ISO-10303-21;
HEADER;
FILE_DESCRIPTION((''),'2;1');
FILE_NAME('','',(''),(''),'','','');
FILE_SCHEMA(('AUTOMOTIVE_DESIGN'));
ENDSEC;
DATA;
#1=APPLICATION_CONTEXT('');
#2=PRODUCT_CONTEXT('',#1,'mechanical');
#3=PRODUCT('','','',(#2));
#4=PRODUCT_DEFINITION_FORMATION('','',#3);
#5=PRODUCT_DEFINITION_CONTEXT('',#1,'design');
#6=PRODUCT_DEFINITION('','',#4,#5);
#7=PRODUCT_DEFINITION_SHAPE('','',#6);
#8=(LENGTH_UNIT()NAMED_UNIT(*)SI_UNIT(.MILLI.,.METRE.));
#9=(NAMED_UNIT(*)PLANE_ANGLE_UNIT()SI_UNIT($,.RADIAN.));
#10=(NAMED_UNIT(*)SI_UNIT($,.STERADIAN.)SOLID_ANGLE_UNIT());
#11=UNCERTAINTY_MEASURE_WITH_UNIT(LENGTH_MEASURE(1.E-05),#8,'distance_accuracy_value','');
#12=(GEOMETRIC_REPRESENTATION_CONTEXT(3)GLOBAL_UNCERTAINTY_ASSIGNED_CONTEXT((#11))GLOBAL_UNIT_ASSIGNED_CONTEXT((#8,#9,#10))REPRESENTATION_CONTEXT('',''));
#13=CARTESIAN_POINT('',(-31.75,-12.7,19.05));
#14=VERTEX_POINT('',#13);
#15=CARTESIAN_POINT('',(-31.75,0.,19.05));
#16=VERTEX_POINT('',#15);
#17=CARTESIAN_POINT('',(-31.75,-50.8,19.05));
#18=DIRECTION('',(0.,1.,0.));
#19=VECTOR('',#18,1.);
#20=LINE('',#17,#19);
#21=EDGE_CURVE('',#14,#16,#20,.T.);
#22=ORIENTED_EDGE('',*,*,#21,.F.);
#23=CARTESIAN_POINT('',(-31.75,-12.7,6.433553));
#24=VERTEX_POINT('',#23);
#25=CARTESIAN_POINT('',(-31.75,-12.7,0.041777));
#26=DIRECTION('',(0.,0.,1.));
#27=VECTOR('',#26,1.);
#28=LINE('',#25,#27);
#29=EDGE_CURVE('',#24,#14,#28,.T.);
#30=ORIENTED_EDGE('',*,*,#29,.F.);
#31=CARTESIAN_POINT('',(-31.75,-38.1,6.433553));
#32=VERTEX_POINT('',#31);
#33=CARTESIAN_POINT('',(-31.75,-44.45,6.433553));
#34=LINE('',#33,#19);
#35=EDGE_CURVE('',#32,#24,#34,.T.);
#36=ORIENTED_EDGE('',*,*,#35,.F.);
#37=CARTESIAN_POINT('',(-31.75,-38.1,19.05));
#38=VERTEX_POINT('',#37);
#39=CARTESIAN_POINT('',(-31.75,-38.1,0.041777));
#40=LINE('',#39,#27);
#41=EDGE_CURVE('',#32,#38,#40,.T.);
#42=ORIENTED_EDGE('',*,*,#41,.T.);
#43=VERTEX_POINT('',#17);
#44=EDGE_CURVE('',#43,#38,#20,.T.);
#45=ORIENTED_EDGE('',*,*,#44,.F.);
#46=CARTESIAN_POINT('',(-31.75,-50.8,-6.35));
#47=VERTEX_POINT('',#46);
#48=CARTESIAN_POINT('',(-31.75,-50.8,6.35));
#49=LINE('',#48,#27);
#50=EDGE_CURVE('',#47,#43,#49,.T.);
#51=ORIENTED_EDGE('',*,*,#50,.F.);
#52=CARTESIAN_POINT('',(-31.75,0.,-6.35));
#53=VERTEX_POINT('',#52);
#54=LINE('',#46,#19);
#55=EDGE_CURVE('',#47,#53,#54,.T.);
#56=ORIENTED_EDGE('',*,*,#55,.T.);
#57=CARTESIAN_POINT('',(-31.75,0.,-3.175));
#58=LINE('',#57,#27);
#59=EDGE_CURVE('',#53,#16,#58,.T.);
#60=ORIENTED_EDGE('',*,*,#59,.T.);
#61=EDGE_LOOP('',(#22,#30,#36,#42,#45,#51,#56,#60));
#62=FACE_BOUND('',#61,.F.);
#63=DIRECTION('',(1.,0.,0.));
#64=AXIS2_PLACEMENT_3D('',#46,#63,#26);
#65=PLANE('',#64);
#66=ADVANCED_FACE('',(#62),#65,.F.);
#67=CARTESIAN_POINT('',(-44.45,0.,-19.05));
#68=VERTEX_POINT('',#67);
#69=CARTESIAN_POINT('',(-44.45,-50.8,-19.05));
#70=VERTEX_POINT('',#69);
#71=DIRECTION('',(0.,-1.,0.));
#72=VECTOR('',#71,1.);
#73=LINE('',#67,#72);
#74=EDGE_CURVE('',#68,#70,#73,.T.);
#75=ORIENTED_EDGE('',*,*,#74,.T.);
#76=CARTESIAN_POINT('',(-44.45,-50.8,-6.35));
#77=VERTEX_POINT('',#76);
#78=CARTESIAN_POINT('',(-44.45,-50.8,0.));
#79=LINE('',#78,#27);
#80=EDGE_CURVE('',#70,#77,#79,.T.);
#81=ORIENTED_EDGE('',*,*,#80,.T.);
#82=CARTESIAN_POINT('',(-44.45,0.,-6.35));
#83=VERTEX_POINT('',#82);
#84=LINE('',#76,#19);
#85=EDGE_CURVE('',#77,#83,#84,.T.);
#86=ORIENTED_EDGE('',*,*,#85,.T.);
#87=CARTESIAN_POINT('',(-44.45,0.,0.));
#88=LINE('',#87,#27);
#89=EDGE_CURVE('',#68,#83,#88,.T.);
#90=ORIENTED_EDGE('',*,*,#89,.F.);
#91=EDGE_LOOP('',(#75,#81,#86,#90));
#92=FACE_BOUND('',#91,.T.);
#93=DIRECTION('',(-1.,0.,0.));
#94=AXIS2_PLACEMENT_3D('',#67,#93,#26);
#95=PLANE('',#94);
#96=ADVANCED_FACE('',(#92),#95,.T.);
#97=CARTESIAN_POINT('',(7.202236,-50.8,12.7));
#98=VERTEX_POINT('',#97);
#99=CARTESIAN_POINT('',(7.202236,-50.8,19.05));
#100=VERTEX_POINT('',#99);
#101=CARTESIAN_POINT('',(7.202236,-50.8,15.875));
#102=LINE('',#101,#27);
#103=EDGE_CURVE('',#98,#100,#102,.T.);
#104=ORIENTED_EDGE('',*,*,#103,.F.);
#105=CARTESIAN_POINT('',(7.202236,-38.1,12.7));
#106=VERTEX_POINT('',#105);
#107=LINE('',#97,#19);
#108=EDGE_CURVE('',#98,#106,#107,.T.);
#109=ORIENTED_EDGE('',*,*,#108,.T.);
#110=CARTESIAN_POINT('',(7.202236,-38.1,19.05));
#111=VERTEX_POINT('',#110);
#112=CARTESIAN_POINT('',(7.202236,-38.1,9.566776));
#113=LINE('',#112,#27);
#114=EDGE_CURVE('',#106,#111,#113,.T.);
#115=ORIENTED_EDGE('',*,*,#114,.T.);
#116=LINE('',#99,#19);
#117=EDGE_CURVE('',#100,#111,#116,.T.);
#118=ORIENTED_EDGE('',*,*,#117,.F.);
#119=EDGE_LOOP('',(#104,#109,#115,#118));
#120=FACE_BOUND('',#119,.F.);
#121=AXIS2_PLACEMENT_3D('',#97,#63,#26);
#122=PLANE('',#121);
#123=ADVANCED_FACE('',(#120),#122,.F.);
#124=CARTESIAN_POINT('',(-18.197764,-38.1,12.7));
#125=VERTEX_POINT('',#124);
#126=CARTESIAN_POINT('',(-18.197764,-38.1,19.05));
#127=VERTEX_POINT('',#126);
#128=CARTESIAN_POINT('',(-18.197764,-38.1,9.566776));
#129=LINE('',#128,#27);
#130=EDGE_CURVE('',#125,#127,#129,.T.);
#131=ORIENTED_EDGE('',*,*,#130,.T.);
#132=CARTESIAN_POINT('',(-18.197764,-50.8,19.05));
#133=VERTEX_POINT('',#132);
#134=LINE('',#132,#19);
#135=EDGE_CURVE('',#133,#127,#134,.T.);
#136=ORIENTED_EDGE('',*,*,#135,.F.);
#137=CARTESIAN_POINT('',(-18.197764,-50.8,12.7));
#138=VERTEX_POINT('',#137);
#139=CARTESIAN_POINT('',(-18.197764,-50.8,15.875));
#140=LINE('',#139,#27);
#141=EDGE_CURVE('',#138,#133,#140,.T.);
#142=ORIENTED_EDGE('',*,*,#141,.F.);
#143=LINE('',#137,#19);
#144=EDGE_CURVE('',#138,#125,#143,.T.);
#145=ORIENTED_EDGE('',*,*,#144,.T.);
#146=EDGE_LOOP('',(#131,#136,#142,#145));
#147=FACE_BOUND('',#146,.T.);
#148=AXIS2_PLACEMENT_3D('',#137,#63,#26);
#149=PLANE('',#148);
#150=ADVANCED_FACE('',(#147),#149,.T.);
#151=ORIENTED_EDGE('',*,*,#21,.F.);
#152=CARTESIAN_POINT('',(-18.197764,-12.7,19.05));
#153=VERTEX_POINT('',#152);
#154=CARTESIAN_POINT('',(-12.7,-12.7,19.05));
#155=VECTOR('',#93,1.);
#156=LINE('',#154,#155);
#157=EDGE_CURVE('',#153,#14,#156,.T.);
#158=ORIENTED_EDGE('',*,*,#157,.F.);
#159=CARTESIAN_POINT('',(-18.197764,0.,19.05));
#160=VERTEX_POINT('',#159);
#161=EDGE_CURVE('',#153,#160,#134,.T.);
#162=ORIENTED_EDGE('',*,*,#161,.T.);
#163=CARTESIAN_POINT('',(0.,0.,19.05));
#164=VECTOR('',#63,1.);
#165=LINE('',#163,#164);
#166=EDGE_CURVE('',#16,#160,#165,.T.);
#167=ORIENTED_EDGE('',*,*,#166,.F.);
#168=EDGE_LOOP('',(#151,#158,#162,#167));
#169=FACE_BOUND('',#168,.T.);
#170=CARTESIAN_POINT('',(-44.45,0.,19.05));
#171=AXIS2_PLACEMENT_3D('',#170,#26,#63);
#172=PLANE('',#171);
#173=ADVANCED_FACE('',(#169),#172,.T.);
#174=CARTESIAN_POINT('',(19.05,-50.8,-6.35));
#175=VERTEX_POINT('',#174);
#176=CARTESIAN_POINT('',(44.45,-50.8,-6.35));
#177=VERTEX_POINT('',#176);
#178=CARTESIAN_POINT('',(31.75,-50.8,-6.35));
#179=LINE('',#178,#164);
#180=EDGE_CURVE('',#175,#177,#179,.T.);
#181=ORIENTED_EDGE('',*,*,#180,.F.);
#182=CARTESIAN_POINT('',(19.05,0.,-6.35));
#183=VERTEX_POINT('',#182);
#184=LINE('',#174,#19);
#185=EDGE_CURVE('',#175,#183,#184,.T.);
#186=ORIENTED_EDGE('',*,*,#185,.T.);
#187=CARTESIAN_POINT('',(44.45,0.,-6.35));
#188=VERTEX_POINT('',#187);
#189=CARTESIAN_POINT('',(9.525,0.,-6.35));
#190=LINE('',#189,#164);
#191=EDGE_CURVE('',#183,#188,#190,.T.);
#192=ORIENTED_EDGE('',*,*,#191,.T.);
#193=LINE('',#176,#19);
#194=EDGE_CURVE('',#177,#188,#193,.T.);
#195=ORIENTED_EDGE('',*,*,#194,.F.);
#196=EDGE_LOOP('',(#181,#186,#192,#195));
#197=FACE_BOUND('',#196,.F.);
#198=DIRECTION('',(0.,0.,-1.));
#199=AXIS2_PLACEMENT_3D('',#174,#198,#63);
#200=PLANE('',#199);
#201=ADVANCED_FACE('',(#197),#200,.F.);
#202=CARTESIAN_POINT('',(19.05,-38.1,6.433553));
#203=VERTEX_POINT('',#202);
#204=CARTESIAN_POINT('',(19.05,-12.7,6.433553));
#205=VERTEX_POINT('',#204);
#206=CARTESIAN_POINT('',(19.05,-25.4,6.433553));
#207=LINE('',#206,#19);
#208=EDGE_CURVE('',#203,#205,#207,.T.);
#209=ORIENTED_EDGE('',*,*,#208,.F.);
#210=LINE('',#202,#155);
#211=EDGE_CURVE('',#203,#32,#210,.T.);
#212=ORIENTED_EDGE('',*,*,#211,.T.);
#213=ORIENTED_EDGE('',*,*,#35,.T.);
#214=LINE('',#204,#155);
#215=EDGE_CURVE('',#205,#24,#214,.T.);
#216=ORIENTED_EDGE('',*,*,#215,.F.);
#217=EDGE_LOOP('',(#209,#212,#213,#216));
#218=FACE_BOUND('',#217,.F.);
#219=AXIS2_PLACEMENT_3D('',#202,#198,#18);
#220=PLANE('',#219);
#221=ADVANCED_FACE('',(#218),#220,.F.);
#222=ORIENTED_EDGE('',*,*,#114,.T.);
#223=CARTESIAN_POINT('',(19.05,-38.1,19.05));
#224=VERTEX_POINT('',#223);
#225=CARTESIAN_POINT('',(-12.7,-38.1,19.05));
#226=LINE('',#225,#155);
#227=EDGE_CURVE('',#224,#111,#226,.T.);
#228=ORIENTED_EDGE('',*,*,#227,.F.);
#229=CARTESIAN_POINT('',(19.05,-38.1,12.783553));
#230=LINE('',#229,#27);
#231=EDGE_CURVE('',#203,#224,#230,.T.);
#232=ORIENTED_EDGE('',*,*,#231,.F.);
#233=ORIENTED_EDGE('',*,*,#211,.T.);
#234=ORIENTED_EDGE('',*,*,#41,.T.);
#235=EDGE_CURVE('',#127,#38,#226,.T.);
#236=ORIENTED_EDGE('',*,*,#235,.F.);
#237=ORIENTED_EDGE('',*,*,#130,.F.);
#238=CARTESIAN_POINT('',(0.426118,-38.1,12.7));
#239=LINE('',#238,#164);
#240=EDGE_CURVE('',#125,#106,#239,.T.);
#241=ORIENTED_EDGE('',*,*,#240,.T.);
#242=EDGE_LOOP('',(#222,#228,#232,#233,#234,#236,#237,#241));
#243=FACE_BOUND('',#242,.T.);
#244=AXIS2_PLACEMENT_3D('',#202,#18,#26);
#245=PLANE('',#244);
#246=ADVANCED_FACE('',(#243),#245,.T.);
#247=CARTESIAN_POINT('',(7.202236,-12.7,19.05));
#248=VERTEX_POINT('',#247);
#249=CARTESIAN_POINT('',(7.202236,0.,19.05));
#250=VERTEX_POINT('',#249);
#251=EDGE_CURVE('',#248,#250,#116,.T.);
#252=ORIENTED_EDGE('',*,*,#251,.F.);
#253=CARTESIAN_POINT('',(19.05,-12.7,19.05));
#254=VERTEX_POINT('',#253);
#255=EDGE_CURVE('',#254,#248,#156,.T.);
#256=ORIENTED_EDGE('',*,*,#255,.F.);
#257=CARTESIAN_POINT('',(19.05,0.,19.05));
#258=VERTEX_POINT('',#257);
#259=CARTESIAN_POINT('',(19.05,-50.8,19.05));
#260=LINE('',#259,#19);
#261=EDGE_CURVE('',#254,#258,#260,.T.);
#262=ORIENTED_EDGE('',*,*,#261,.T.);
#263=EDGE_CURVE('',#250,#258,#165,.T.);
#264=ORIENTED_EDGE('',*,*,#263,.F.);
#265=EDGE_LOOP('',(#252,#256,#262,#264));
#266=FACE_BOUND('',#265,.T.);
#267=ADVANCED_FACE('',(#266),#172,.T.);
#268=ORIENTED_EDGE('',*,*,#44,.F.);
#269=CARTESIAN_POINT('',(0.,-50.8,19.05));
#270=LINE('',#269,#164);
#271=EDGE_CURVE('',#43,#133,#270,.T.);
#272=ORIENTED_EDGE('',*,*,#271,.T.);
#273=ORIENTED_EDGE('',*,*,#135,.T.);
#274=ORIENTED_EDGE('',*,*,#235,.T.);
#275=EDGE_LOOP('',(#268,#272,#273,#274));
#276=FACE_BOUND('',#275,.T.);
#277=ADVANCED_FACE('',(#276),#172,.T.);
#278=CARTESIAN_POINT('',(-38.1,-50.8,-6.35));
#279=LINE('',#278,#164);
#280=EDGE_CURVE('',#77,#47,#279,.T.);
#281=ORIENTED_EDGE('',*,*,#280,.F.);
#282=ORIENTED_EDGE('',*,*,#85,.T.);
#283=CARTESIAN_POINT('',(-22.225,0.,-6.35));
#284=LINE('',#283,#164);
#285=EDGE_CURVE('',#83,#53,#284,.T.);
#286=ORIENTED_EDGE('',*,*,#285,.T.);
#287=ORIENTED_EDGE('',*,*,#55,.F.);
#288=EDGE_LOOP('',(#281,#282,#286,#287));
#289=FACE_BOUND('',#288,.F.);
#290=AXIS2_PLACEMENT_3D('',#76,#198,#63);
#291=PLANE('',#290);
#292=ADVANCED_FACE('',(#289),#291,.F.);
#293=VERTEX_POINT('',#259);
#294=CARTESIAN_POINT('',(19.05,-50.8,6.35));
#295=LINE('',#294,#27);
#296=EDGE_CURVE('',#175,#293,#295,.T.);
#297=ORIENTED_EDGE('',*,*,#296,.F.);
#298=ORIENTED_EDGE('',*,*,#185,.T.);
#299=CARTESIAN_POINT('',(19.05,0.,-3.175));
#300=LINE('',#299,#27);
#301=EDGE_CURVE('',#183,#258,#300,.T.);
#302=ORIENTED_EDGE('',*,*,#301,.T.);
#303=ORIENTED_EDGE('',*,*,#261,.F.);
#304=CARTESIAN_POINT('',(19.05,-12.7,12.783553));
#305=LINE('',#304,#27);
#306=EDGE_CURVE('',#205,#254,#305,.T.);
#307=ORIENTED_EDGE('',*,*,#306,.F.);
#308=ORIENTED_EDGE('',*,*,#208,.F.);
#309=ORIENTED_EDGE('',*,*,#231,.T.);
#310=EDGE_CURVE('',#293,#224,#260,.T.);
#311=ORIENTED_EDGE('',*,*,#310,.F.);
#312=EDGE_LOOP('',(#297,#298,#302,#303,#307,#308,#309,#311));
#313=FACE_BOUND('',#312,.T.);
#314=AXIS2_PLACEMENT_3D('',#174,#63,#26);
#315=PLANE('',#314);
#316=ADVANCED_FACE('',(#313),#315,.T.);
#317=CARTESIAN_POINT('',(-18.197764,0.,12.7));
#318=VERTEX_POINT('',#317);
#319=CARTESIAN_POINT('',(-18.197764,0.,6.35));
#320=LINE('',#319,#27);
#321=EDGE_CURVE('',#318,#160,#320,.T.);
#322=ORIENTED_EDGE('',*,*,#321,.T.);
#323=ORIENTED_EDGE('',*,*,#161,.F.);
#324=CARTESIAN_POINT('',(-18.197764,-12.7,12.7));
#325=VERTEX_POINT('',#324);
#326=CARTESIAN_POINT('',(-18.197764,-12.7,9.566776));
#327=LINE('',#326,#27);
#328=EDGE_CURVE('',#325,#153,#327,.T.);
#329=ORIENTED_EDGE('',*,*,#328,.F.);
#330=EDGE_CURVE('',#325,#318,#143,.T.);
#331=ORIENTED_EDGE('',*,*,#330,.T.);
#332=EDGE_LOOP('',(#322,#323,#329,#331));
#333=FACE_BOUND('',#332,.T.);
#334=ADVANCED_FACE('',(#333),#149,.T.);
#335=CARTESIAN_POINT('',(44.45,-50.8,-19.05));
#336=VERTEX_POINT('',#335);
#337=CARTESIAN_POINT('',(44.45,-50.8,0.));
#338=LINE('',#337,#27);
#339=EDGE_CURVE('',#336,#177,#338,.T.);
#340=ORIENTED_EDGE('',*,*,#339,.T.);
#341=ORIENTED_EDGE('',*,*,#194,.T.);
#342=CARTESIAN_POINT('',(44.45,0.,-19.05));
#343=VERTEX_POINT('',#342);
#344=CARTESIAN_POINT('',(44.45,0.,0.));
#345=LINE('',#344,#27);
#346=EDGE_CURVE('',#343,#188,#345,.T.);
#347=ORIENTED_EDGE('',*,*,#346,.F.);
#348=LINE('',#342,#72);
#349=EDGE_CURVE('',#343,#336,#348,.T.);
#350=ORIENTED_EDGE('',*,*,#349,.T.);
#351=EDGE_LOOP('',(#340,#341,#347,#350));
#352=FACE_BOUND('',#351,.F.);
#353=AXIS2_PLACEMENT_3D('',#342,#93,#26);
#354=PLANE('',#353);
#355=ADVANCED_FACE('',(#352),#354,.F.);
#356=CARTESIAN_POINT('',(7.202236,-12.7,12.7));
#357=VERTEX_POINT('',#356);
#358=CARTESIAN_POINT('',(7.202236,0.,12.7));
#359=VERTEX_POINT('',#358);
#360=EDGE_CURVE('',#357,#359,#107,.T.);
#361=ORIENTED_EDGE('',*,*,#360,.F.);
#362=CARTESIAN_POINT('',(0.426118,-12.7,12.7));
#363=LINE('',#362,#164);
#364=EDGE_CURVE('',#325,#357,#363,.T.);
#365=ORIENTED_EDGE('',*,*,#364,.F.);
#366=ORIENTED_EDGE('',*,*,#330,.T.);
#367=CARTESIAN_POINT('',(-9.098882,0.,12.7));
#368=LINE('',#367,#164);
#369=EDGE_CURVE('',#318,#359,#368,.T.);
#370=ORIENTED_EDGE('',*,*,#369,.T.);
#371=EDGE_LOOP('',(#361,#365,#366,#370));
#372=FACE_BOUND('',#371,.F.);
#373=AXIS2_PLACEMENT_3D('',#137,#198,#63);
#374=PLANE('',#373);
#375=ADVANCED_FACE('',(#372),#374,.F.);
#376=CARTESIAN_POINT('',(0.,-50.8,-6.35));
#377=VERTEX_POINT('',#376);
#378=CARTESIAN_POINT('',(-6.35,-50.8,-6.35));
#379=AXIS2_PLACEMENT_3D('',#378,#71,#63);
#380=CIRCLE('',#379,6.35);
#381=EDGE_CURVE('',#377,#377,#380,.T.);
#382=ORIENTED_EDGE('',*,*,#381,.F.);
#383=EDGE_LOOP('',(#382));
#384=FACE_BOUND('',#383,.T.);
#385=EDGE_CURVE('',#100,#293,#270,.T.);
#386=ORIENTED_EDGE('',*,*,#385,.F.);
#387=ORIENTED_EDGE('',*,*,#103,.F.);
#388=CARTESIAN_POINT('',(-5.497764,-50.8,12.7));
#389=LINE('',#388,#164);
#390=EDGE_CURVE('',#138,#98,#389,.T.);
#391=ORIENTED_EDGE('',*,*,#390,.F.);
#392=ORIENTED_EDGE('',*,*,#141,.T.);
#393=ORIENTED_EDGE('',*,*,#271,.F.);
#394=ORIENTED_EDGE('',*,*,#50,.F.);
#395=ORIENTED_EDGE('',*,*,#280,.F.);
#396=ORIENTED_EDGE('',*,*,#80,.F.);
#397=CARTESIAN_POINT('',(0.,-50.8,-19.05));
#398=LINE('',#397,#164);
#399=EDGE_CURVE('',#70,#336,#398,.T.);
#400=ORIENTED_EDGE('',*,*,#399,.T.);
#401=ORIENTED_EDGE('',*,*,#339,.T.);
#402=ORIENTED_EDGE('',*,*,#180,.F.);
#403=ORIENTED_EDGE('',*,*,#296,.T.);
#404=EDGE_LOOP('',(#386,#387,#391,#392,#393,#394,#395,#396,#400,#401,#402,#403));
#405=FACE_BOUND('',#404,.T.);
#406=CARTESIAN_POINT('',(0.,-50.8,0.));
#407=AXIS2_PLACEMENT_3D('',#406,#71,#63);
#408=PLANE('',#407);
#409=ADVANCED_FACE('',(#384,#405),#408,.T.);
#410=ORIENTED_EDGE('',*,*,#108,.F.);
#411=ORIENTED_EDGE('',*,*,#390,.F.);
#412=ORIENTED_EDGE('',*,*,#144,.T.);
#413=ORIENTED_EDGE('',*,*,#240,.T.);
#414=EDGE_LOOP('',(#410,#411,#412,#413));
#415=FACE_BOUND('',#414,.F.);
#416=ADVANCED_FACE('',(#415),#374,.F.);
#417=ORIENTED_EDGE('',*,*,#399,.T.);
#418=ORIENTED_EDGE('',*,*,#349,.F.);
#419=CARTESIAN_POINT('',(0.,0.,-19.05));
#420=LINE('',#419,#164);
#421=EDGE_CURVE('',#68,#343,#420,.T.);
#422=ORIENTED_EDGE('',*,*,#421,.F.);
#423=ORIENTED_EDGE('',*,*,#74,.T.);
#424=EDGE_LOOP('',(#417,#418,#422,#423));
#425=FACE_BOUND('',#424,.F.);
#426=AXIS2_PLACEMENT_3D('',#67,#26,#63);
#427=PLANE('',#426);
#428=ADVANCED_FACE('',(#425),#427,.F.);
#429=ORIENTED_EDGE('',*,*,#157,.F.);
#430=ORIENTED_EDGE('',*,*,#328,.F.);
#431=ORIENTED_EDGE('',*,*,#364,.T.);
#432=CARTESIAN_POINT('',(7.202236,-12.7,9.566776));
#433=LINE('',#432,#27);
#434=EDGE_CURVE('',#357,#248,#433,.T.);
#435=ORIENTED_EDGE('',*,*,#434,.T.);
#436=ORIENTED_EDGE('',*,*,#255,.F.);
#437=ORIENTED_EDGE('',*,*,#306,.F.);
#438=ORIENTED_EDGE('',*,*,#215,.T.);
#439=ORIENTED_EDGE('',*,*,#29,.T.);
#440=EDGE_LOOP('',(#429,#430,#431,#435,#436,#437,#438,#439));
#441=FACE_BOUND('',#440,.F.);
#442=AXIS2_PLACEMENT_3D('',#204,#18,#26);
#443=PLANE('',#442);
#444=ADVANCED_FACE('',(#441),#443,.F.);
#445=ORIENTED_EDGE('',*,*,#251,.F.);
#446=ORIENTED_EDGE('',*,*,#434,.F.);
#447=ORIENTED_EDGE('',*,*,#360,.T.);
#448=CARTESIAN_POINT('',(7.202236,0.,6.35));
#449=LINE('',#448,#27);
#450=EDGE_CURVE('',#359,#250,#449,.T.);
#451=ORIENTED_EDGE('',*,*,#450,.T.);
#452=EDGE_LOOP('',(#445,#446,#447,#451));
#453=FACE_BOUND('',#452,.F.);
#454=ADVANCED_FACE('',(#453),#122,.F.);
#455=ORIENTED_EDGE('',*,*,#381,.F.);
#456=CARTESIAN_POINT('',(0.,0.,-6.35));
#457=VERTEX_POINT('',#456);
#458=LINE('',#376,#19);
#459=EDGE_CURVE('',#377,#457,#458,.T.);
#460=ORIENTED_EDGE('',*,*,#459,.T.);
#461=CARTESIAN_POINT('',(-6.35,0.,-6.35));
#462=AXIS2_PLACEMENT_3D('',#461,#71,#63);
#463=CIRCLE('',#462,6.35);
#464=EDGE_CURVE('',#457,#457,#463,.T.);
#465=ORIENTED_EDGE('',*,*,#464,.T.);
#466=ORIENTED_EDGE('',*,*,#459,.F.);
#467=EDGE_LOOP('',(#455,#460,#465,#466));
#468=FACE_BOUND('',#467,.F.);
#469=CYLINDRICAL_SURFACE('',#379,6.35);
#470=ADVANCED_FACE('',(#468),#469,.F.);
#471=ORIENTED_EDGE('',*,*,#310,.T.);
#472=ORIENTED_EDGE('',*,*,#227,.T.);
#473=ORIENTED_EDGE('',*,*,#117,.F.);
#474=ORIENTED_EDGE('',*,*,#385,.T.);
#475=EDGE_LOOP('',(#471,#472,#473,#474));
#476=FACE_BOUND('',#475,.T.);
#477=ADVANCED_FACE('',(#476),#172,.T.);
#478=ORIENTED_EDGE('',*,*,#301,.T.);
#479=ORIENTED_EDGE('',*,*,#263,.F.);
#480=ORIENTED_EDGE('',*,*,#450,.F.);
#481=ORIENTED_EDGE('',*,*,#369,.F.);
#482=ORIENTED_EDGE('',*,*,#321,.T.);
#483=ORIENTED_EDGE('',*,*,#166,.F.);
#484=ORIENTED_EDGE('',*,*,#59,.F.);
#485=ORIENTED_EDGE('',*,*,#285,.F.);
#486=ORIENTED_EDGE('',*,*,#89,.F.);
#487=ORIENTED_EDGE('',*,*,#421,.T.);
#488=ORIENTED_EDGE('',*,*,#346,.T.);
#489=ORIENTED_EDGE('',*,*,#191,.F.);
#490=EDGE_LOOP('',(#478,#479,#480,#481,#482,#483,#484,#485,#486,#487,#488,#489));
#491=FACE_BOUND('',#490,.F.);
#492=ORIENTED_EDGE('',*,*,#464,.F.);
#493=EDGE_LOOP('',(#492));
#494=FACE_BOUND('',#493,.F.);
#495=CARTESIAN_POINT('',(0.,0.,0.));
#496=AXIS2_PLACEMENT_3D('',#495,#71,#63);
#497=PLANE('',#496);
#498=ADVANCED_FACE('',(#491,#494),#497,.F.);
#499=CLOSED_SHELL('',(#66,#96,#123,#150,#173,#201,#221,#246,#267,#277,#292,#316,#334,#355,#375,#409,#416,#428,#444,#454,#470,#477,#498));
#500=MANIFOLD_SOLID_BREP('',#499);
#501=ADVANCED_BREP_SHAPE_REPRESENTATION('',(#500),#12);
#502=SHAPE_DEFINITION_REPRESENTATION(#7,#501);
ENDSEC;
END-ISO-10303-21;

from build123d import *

# Parameters (mm, degrees)
F0_W      = 88.9
F0_H      = 38.1
F1_DEPTH  = 50.8
F2_W      = 12.7
F2_H      = 25.4
F3_DEPTH  = 50.801
F4_W      = 25.4
F4_H      = 25.4
F5_DEPTH  = 50.801
F6_W      = 25.4
F6_H      = 6.35
F7_DEPTH  = 50.801
F8_R      = 6.35
F9_DEPTH  = 50.801
F10_W     = 25.4
F10_H     = 12.7
F11_DEPTH = 63.501


with BuildPart() as f1:
    # F0 (on Front) → F1 (new body)
    with BuildSketch(Plane.XZ):
        Rectangle(F0_W, F0_H)
    extrude(amount=F1_DEPTH)

    # F2 (on face) → F3 (cut, through all)
    with BuildSketch(Plane.XZ.offset(50.8)):
        with Locations((-38.1, 6.35)):
            Rectangle(F2_W, F2_H)
    extrude(amount=-F3_DEPTH, mode=Mode.SUBTRACT)

    # F4 (on face) → F5 (cut, through all)
    with BuildSketch(Plane.XZ.offset(50.8)):
        with Locations((31.75, 6.35)):
            Rectangle(F4_W, F4_H)
    extrude(amount=-F5_DEPTH, mode=Mode.SUBTRACT)

    # F6 (on face) → F7 (cut, through all)
    with BuildSketch(Plane.XZ.offset(50.8)):
        with Locations((-5.497764, 15.875)):
            Rectangle(F6_W, F6_H)
    extrude(amount=-F7_DEPTH, mode=Mode.SUBTRACT)

    # F8 (on face) → F9 (cut, through all)
    with BuildSketch(Plane.XZ.offset(50.8)):
        with Locations((-6.35, -6.35)):
            Circle(F8_R)
    extrude(amount=-F9_DEPTH, mode=Mode.SUBTRACT)

    # F10 (on face) → F11 (cut, through all)
    with BuildSketch(Plane.YZ.offset(19.05)):
        with Locations((-25.4, 12.783553)):
            Rectangle(F10_W, F10_H)
    extrude(amount=-F11_DEPTH, mode=Mode.SUBTRACT)


solid = f1.part
